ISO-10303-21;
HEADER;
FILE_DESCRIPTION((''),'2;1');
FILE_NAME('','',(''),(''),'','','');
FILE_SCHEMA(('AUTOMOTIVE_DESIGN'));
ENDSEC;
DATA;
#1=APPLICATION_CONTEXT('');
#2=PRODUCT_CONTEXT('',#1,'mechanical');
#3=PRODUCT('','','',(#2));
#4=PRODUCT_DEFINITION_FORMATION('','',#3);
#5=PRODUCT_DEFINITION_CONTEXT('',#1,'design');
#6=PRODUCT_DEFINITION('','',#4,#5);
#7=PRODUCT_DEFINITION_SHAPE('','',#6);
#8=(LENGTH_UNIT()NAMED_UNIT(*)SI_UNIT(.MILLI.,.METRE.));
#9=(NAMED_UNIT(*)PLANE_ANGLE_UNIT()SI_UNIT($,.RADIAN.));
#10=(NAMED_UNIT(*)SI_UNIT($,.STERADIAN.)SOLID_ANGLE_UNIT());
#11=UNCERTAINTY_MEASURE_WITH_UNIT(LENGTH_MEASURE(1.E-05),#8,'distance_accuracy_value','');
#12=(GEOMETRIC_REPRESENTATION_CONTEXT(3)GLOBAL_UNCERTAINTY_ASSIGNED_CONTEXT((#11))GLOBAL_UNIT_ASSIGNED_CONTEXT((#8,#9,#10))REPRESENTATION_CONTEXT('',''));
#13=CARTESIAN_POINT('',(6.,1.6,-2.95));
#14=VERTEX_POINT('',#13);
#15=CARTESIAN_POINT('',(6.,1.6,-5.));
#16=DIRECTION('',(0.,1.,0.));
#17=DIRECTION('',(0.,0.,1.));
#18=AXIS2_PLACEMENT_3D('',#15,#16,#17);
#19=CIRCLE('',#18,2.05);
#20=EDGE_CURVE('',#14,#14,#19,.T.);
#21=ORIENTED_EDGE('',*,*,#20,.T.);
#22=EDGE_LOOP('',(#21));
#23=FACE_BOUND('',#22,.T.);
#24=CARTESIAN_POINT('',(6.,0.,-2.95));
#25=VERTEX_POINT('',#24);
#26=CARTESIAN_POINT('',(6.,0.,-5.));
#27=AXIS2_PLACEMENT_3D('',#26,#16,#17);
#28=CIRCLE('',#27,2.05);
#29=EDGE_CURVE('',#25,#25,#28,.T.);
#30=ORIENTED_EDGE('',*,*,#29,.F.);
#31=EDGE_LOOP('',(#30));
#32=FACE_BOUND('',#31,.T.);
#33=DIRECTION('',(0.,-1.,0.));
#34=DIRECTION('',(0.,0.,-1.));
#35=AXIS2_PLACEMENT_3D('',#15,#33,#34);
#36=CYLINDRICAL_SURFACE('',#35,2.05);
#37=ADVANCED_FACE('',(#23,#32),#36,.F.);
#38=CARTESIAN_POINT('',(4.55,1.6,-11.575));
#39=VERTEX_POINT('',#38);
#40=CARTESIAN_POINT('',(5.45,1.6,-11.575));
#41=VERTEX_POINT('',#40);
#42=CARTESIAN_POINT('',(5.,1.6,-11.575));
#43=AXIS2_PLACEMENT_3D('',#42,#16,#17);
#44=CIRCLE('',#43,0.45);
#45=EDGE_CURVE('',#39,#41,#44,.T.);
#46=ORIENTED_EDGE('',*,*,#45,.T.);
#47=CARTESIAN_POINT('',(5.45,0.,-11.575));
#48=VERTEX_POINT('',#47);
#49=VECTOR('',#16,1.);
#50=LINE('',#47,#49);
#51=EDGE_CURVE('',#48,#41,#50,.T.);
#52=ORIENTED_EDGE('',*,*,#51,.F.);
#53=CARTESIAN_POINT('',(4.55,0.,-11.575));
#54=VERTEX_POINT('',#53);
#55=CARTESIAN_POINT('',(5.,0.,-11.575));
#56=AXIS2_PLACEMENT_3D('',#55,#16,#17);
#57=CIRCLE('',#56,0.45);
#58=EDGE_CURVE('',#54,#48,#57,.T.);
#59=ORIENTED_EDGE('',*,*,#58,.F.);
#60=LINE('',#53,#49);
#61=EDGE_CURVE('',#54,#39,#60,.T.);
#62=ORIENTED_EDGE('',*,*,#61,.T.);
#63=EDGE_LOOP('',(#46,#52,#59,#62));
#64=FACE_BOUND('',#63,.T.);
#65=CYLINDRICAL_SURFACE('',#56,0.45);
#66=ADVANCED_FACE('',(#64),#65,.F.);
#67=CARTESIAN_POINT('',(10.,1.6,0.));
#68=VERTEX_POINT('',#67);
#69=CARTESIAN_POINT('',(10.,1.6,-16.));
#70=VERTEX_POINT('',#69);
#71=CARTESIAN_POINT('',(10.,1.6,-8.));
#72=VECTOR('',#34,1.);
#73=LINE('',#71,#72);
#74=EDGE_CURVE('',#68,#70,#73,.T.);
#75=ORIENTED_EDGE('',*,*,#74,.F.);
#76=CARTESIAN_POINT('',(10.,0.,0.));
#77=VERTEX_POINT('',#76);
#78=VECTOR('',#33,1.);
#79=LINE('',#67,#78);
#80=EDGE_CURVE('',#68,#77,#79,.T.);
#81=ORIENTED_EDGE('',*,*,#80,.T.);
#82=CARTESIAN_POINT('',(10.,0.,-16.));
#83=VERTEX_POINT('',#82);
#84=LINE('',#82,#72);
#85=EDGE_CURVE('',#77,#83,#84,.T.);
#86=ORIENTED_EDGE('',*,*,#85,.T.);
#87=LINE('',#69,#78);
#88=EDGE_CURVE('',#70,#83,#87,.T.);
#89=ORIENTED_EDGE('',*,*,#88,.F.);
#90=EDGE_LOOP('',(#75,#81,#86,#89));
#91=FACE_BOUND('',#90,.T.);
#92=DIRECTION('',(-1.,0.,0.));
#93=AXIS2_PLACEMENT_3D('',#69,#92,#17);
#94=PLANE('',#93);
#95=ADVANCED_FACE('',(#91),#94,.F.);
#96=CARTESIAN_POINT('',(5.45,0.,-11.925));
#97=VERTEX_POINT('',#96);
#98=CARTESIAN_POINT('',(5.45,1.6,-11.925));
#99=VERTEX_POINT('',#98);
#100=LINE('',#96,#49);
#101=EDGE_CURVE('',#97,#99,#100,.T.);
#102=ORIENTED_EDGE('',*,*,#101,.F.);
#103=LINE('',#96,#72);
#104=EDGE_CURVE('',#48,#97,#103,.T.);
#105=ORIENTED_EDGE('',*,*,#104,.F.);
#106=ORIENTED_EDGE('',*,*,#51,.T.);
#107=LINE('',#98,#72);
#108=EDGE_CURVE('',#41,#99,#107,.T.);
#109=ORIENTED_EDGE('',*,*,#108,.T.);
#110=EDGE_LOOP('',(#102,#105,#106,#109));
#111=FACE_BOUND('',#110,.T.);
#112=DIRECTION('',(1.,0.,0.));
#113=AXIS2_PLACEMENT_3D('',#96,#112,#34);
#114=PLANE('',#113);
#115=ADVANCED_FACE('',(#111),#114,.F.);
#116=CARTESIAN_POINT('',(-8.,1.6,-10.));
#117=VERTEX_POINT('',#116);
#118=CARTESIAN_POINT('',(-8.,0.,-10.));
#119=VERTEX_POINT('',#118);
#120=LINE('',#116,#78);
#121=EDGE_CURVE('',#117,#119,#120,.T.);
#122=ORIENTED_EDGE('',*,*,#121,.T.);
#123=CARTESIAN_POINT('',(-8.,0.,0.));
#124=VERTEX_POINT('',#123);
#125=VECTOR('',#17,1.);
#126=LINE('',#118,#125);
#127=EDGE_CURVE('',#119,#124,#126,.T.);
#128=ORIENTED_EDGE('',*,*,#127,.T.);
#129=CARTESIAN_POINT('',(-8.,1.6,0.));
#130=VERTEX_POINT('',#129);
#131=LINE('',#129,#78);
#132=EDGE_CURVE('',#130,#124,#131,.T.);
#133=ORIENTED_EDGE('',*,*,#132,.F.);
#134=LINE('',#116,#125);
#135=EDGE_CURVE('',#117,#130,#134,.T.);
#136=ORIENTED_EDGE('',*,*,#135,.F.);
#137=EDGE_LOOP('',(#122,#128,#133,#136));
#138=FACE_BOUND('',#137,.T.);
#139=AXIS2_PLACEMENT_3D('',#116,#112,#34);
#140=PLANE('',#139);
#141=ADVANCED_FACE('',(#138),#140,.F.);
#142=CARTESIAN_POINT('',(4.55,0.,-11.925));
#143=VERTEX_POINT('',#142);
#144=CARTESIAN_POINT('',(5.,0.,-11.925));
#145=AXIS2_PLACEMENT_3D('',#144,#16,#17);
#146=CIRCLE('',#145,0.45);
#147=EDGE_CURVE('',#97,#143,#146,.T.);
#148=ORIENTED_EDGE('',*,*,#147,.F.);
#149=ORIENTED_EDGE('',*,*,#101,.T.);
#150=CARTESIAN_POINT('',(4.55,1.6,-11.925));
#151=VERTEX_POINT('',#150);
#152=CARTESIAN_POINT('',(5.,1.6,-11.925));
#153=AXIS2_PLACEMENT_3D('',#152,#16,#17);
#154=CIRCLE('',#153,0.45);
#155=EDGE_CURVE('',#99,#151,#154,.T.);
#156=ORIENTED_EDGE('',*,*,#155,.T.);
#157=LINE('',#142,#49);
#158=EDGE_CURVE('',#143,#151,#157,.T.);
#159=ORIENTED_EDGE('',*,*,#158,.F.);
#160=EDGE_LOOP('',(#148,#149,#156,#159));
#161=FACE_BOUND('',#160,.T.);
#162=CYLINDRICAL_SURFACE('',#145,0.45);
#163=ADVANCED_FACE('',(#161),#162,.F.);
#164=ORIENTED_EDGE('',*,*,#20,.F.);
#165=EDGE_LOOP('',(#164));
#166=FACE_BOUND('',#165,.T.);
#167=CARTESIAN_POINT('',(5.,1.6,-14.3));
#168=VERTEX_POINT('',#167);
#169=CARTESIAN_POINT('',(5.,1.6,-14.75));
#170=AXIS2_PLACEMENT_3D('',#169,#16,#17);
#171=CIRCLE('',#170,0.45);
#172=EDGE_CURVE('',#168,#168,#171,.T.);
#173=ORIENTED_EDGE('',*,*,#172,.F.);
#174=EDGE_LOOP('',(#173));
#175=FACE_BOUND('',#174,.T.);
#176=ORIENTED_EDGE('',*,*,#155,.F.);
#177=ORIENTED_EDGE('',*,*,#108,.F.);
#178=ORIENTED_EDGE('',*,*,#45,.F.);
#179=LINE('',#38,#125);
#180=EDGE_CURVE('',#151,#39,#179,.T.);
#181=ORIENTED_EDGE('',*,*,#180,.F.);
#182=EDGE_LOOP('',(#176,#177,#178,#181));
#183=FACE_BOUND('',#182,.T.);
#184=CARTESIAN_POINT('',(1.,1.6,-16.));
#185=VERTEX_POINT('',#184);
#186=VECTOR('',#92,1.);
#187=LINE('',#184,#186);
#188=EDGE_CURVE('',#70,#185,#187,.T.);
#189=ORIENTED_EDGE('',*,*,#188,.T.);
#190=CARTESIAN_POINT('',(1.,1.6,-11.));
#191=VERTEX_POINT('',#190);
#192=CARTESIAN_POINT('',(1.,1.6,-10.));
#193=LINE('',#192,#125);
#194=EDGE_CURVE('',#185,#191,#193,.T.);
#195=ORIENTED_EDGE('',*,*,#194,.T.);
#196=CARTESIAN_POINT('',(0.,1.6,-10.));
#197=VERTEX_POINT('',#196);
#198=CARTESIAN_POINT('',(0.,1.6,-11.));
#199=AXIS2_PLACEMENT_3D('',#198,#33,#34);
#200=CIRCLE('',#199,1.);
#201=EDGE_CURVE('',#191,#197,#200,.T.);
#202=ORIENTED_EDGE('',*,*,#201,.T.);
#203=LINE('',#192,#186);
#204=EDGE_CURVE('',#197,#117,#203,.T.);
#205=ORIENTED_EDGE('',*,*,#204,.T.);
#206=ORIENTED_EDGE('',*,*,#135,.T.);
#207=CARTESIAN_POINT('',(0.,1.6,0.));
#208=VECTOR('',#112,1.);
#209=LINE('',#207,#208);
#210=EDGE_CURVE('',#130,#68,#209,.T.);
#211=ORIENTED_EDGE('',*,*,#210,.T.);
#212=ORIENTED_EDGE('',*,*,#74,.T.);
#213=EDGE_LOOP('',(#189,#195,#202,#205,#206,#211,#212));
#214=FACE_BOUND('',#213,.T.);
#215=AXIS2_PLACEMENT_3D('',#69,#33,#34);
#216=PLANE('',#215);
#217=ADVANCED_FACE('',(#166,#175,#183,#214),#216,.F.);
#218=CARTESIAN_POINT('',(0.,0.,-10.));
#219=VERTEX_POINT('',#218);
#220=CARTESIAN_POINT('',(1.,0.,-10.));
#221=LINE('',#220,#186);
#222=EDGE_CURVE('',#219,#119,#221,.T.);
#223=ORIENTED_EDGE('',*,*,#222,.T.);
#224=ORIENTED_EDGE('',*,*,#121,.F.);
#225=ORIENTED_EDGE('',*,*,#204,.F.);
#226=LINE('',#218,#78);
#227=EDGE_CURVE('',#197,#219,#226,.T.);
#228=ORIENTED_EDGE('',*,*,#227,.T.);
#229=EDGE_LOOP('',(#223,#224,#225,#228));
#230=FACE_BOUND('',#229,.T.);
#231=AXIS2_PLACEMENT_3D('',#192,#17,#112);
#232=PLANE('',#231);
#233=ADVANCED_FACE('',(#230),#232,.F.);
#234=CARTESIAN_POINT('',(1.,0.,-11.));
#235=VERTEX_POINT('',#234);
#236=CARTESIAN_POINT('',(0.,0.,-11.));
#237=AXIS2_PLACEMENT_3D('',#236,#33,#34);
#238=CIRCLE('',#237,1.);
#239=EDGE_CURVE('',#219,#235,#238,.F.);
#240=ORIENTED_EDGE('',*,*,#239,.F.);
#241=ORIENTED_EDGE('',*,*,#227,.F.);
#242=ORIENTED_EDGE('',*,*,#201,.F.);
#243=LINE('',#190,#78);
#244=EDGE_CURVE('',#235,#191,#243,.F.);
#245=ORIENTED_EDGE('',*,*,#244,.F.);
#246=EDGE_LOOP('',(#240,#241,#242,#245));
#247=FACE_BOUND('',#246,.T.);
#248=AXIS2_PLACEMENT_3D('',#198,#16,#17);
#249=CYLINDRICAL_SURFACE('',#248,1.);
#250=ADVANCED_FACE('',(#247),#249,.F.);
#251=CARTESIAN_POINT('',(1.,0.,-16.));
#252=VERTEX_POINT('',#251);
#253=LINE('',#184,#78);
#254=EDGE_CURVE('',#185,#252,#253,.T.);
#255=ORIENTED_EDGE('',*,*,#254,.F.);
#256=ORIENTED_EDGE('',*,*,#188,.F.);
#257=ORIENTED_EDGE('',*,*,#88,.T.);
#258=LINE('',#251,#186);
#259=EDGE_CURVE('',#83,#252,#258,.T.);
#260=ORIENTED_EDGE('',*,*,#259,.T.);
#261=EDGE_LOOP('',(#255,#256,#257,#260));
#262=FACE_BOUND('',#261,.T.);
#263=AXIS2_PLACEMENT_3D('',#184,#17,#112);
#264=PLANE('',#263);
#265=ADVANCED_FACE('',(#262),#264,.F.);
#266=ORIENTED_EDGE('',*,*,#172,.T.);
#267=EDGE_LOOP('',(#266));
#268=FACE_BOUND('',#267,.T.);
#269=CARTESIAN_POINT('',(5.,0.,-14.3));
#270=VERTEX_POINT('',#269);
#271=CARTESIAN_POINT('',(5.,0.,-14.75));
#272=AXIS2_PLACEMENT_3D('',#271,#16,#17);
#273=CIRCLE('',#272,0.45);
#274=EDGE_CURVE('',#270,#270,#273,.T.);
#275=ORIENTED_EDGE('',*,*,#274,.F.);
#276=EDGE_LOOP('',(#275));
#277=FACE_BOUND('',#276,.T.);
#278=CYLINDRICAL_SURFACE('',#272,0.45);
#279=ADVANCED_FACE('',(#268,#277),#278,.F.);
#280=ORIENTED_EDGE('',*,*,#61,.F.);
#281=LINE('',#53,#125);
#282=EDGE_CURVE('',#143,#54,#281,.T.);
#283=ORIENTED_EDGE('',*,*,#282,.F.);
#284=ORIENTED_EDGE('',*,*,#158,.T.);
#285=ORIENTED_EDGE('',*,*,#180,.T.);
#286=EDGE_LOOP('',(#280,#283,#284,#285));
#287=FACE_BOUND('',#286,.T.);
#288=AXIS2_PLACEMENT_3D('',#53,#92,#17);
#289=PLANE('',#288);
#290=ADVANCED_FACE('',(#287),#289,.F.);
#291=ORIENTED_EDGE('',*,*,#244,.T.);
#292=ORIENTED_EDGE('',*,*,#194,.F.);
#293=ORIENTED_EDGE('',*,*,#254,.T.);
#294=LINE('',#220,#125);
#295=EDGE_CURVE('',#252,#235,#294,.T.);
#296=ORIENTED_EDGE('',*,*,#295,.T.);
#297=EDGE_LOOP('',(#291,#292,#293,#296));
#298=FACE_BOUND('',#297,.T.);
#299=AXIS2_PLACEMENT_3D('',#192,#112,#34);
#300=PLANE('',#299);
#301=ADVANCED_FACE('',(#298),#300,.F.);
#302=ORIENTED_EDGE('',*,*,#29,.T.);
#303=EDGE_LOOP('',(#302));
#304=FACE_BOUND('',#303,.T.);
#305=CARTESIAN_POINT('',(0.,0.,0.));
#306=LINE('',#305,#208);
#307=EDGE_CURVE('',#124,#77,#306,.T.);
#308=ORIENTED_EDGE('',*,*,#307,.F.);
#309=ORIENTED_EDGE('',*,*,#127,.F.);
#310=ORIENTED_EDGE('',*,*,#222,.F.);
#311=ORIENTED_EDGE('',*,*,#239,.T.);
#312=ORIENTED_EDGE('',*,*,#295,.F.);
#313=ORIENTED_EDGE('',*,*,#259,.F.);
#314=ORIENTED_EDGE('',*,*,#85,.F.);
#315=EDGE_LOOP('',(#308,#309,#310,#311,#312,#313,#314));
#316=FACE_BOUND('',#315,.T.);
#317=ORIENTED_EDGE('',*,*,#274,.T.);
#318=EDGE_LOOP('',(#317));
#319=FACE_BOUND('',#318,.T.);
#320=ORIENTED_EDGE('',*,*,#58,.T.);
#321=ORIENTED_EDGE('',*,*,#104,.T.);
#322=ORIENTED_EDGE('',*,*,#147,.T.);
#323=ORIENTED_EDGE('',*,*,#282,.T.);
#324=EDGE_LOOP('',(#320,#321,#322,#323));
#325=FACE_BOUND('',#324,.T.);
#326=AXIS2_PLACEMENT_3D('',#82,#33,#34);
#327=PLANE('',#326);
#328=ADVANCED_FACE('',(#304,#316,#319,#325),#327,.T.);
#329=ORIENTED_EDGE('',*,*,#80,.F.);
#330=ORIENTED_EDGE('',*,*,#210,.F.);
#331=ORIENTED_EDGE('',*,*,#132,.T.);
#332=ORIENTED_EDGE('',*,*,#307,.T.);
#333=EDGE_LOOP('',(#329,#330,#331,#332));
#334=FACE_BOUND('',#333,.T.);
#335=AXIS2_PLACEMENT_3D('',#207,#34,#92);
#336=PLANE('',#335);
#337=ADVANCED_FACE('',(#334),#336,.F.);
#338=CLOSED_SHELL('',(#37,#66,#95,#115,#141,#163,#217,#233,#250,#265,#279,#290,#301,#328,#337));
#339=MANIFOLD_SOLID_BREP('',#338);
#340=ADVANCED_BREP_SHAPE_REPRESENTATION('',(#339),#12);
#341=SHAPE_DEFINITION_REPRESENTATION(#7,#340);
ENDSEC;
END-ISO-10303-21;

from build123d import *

# Parameters (mm, degrees)
SKETCH1_R           = 2.05
BOSS_EXTRUDE1_DEPTH = 1.6
SKETCH2_R           = 0.45
CUT_EXTRUDE1_DEPTH  = 19.935680606
FILLET1_R           = 1


with BuildPart() as part:
    # Sketch1 → Boss-Extrude1 (new body)
    with BuildSketch(Plane(origin=(0, 0, 0), x_dir=(1, 0, 0), z_dir=(0, 1, 0))):
        Polygon((1, 10), (1, 16), (10, 16), (10, 8), (10, 0), (0, 0), (-8, 0), (-8, 10), align=None)
        with Locations(Location((6, 5, 0), (0, 0, 270))):
            Circle(SKETCH1_R, mode=Mode.SUBTRACT)
    extrude(amount=BOSS_EXTRUDE1_DEPTH)

    # Sketch2 → Cut-Extrude1 (cut, through all)
    with BuildSketch(Plane(origin=(0, 1.6, 0), x_dir=(1, 0, 0), z_dir=(0, 1, 0))):
        with Locations(Location((5, 14.75, 0), (0, 0, 270))):
            Circle(SKETCH2_R)
        with BuildLine():
            Line((4.55, 11.575), (4.55, 11.925))
            ThreePointArc((4.55, 11.925), (5, 12.375), (5.45, 11.925))
            Line((5.45, 11.925), (5.45, 11.575))
            ThreePointArc((5.45, 11.575), (5, 11.125), (4.55, 11.575))
        make_face()
    extrude(amount=-CUT_EXTRUDE1_DEPTH, mode=Mode.SUBTRACT)

    # Fillet1
    fillet1_edges = [part.edges().sort_by_distance(p)[0] for p in [
        (1, 0.8, -10),
    ]]
    fillet(fillet1_edges, radius=FILLET1_R)


solid = part.part
